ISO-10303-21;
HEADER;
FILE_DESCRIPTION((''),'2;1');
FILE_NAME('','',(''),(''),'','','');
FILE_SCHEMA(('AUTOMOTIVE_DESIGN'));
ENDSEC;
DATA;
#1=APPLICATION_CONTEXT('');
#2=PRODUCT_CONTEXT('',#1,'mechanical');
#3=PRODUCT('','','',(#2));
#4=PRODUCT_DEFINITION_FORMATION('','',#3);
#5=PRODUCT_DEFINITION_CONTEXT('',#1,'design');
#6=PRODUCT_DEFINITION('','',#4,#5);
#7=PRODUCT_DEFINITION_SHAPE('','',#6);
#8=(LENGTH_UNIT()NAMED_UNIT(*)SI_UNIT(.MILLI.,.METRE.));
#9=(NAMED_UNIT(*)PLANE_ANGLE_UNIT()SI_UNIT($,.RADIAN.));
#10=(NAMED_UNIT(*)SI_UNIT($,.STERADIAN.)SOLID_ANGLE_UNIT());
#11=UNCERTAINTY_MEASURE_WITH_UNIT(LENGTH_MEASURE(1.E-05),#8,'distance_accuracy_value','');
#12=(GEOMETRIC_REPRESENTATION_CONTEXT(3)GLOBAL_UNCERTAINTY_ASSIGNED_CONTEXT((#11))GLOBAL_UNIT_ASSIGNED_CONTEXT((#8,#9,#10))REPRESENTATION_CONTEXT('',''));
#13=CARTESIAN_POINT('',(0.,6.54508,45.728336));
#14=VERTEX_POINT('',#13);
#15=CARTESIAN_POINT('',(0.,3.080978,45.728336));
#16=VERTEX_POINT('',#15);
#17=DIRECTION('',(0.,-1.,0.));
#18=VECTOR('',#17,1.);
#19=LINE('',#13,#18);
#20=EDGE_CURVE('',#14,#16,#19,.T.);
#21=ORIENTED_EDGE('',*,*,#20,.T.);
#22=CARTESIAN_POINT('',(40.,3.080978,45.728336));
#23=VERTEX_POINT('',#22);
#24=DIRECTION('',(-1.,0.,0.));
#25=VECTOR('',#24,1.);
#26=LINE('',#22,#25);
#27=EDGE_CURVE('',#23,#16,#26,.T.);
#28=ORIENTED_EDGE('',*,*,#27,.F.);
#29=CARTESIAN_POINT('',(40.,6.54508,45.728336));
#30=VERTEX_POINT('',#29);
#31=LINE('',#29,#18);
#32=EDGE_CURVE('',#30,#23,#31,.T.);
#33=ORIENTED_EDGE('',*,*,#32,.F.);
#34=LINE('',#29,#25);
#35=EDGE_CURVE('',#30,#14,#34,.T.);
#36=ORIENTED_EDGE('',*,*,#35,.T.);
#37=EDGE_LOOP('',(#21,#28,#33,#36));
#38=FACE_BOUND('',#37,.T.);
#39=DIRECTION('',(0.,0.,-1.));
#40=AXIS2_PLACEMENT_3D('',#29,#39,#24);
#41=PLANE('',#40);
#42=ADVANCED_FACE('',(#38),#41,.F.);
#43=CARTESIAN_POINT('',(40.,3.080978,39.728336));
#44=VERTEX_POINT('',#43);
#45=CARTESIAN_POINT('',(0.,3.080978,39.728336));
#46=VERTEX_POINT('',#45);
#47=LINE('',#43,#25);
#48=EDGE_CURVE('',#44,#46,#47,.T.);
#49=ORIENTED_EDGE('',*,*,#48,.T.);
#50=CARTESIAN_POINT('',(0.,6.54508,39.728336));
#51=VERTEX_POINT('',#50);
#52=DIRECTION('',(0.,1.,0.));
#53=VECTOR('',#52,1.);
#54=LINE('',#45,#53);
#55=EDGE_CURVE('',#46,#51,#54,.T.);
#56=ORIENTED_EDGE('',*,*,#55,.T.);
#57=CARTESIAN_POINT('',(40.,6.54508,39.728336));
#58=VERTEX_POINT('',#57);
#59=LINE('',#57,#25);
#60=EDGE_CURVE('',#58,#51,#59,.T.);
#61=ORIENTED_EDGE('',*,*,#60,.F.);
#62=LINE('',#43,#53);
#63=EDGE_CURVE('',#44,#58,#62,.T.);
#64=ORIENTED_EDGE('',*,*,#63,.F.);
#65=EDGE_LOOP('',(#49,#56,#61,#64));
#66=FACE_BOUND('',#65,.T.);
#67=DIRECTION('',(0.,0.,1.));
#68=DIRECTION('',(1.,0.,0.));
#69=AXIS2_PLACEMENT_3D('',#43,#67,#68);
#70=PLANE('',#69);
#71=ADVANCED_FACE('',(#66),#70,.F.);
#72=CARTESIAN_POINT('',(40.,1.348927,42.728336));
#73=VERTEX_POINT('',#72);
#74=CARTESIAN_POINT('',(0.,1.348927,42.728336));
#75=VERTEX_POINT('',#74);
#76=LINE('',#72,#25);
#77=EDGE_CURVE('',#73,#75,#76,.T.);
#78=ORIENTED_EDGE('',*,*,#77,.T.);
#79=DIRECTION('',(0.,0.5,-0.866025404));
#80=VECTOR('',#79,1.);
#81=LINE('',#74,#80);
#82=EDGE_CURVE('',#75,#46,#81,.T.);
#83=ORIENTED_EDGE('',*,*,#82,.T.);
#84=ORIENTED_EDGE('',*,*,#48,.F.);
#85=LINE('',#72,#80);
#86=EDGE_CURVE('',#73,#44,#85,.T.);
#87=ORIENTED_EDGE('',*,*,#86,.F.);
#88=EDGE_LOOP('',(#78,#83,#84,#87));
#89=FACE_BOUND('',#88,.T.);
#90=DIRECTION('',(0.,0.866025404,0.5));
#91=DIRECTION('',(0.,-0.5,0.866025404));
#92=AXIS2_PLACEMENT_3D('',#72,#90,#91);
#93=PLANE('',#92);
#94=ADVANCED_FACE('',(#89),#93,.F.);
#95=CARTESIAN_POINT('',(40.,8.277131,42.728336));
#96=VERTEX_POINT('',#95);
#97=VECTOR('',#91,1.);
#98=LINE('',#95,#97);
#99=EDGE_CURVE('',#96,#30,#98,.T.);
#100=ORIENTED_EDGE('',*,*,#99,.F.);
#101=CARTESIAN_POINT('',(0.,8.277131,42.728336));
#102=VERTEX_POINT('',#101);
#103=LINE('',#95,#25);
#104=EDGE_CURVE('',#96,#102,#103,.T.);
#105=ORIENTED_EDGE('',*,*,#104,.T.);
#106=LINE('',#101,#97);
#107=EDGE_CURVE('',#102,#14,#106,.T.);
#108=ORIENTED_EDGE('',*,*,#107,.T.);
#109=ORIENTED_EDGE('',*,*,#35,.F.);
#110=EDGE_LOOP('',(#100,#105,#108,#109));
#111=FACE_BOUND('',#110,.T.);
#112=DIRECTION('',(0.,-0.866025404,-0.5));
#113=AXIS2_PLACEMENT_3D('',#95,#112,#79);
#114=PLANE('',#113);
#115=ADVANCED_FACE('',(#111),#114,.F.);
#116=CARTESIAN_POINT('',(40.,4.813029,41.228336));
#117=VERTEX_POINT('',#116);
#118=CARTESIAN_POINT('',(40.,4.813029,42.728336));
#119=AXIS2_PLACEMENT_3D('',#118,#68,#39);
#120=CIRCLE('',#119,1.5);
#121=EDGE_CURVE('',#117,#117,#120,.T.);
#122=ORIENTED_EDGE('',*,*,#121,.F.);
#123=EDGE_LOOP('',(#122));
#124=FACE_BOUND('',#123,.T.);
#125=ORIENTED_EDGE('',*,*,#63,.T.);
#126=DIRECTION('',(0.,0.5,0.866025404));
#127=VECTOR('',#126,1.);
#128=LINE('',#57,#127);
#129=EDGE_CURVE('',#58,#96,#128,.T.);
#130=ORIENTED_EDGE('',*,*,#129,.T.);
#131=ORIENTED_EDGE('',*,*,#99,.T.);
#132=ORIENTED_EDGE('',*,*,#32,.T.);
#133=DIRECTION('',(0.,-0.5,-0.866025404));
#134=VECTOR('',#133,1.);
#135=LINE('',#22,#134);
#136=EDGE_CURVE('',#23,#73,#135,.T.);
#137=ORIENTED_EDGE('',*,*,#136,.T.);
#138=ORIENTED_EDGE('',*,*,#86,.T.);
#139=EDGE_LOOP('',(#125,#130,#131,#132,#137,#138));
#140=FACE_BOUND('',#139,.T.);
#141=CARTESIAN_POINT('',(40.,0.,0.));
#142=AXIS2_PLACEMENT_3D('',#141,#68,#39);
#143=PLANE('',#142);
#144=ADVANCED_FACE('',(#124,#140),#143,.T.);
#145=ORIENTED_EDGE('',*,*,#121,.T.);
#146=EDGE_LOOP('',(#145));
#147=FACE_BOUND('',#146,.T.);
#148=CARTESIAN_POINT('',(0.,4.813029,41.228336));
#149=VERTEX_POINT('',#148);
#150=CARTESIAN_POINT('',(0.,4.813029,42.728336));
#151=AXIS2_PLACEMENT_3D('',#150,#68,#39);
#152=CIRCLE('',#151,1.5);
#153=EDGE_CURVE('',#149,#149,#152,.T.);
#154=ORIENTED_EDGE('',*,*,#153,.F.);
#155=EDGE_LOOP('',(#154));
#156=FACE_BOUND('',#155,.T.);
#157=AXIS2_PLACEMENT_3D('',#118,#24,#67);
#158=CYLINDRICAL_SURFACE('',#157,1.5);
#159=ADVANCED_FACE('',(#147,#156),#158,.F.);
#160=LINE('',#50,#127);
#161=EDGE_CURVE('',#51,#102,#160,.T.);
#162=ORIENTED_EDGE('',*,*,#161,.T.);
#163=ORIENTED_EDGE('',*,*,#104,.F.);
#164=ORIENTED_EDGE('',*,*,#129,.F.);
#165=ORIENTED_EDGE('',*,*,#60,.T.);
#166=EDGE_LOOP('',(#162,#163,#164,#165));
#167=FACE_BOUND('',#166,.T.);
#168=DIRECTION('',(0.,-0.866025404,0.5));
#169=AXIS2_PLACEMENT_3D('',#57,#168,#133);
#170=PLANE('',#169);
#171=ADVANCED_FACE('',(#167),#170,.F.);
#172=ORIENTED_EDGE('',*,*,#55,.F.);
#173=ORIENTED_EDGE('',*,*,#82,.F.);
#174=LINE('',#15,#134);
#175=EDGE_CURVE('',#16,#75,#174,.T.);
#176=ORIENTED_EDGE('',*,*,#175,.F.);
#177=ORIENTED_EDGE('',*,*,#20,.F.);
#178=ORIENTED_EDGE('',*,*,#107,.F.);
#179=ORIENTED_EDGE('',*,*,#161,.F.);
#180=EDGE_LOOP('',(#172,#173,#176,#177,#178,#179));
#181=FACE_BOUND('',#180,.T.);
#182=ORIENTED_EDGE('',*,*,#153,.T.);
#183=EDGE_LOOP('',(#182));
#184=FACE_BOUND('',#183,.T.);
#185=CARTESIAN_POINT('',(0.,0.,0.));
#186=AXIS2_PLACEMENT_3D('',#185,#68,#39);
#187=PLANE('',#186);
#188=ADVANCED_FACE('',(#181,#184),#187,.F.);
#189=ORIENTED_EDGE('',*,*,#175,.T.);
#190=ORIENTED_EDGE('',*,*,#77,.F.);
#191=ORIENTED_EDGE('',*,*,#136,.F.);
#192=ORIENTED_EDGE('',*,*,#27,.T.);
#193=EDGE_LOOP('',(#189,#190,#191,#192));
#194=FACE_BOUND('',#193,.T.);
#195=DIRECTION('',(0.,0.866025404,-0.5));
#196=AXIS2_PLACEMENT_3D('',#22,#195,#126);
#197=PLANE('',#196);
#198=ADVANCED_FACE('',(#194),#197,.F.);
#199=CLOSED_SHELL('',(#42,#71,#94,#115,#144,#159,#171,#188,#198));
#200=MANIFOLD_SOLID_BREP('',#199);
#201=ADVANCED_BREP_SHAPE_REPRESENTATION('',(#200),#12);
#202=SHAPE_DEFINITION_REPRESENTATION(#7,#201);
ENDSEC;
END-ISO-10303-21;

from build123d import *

# Parameters (mm, degrees)
SKETCH1_R           = 1.5
BOSS_EXTRUDE1_DEPTH = 40


with BuildPart() as part:
    # Sketch1 → Boss-Extrude1 (new body)
    with BuildSketch(Plane(origin=(0, 0, 0), x_dir=(0, 0, -1), z_dir=(1, 0, 0))):
        Polygon((-42.728336364, 8.277130653), (-45.728336364, 6.545079846), (-45.728336364, 3.08097823), (-42.728336364, 1.348927423), (-39.728336364, 3.08097823), (-39.728336364, 6.545079846), align=None)
        with Locations((-42.728336364, 4.813029038)):
            Circle(SKETCH1_R, mode=Mode.SUBTRACT)
    extrude(amount=BOSS_EXTRUDE1_DEPTH)


solid = part.part
